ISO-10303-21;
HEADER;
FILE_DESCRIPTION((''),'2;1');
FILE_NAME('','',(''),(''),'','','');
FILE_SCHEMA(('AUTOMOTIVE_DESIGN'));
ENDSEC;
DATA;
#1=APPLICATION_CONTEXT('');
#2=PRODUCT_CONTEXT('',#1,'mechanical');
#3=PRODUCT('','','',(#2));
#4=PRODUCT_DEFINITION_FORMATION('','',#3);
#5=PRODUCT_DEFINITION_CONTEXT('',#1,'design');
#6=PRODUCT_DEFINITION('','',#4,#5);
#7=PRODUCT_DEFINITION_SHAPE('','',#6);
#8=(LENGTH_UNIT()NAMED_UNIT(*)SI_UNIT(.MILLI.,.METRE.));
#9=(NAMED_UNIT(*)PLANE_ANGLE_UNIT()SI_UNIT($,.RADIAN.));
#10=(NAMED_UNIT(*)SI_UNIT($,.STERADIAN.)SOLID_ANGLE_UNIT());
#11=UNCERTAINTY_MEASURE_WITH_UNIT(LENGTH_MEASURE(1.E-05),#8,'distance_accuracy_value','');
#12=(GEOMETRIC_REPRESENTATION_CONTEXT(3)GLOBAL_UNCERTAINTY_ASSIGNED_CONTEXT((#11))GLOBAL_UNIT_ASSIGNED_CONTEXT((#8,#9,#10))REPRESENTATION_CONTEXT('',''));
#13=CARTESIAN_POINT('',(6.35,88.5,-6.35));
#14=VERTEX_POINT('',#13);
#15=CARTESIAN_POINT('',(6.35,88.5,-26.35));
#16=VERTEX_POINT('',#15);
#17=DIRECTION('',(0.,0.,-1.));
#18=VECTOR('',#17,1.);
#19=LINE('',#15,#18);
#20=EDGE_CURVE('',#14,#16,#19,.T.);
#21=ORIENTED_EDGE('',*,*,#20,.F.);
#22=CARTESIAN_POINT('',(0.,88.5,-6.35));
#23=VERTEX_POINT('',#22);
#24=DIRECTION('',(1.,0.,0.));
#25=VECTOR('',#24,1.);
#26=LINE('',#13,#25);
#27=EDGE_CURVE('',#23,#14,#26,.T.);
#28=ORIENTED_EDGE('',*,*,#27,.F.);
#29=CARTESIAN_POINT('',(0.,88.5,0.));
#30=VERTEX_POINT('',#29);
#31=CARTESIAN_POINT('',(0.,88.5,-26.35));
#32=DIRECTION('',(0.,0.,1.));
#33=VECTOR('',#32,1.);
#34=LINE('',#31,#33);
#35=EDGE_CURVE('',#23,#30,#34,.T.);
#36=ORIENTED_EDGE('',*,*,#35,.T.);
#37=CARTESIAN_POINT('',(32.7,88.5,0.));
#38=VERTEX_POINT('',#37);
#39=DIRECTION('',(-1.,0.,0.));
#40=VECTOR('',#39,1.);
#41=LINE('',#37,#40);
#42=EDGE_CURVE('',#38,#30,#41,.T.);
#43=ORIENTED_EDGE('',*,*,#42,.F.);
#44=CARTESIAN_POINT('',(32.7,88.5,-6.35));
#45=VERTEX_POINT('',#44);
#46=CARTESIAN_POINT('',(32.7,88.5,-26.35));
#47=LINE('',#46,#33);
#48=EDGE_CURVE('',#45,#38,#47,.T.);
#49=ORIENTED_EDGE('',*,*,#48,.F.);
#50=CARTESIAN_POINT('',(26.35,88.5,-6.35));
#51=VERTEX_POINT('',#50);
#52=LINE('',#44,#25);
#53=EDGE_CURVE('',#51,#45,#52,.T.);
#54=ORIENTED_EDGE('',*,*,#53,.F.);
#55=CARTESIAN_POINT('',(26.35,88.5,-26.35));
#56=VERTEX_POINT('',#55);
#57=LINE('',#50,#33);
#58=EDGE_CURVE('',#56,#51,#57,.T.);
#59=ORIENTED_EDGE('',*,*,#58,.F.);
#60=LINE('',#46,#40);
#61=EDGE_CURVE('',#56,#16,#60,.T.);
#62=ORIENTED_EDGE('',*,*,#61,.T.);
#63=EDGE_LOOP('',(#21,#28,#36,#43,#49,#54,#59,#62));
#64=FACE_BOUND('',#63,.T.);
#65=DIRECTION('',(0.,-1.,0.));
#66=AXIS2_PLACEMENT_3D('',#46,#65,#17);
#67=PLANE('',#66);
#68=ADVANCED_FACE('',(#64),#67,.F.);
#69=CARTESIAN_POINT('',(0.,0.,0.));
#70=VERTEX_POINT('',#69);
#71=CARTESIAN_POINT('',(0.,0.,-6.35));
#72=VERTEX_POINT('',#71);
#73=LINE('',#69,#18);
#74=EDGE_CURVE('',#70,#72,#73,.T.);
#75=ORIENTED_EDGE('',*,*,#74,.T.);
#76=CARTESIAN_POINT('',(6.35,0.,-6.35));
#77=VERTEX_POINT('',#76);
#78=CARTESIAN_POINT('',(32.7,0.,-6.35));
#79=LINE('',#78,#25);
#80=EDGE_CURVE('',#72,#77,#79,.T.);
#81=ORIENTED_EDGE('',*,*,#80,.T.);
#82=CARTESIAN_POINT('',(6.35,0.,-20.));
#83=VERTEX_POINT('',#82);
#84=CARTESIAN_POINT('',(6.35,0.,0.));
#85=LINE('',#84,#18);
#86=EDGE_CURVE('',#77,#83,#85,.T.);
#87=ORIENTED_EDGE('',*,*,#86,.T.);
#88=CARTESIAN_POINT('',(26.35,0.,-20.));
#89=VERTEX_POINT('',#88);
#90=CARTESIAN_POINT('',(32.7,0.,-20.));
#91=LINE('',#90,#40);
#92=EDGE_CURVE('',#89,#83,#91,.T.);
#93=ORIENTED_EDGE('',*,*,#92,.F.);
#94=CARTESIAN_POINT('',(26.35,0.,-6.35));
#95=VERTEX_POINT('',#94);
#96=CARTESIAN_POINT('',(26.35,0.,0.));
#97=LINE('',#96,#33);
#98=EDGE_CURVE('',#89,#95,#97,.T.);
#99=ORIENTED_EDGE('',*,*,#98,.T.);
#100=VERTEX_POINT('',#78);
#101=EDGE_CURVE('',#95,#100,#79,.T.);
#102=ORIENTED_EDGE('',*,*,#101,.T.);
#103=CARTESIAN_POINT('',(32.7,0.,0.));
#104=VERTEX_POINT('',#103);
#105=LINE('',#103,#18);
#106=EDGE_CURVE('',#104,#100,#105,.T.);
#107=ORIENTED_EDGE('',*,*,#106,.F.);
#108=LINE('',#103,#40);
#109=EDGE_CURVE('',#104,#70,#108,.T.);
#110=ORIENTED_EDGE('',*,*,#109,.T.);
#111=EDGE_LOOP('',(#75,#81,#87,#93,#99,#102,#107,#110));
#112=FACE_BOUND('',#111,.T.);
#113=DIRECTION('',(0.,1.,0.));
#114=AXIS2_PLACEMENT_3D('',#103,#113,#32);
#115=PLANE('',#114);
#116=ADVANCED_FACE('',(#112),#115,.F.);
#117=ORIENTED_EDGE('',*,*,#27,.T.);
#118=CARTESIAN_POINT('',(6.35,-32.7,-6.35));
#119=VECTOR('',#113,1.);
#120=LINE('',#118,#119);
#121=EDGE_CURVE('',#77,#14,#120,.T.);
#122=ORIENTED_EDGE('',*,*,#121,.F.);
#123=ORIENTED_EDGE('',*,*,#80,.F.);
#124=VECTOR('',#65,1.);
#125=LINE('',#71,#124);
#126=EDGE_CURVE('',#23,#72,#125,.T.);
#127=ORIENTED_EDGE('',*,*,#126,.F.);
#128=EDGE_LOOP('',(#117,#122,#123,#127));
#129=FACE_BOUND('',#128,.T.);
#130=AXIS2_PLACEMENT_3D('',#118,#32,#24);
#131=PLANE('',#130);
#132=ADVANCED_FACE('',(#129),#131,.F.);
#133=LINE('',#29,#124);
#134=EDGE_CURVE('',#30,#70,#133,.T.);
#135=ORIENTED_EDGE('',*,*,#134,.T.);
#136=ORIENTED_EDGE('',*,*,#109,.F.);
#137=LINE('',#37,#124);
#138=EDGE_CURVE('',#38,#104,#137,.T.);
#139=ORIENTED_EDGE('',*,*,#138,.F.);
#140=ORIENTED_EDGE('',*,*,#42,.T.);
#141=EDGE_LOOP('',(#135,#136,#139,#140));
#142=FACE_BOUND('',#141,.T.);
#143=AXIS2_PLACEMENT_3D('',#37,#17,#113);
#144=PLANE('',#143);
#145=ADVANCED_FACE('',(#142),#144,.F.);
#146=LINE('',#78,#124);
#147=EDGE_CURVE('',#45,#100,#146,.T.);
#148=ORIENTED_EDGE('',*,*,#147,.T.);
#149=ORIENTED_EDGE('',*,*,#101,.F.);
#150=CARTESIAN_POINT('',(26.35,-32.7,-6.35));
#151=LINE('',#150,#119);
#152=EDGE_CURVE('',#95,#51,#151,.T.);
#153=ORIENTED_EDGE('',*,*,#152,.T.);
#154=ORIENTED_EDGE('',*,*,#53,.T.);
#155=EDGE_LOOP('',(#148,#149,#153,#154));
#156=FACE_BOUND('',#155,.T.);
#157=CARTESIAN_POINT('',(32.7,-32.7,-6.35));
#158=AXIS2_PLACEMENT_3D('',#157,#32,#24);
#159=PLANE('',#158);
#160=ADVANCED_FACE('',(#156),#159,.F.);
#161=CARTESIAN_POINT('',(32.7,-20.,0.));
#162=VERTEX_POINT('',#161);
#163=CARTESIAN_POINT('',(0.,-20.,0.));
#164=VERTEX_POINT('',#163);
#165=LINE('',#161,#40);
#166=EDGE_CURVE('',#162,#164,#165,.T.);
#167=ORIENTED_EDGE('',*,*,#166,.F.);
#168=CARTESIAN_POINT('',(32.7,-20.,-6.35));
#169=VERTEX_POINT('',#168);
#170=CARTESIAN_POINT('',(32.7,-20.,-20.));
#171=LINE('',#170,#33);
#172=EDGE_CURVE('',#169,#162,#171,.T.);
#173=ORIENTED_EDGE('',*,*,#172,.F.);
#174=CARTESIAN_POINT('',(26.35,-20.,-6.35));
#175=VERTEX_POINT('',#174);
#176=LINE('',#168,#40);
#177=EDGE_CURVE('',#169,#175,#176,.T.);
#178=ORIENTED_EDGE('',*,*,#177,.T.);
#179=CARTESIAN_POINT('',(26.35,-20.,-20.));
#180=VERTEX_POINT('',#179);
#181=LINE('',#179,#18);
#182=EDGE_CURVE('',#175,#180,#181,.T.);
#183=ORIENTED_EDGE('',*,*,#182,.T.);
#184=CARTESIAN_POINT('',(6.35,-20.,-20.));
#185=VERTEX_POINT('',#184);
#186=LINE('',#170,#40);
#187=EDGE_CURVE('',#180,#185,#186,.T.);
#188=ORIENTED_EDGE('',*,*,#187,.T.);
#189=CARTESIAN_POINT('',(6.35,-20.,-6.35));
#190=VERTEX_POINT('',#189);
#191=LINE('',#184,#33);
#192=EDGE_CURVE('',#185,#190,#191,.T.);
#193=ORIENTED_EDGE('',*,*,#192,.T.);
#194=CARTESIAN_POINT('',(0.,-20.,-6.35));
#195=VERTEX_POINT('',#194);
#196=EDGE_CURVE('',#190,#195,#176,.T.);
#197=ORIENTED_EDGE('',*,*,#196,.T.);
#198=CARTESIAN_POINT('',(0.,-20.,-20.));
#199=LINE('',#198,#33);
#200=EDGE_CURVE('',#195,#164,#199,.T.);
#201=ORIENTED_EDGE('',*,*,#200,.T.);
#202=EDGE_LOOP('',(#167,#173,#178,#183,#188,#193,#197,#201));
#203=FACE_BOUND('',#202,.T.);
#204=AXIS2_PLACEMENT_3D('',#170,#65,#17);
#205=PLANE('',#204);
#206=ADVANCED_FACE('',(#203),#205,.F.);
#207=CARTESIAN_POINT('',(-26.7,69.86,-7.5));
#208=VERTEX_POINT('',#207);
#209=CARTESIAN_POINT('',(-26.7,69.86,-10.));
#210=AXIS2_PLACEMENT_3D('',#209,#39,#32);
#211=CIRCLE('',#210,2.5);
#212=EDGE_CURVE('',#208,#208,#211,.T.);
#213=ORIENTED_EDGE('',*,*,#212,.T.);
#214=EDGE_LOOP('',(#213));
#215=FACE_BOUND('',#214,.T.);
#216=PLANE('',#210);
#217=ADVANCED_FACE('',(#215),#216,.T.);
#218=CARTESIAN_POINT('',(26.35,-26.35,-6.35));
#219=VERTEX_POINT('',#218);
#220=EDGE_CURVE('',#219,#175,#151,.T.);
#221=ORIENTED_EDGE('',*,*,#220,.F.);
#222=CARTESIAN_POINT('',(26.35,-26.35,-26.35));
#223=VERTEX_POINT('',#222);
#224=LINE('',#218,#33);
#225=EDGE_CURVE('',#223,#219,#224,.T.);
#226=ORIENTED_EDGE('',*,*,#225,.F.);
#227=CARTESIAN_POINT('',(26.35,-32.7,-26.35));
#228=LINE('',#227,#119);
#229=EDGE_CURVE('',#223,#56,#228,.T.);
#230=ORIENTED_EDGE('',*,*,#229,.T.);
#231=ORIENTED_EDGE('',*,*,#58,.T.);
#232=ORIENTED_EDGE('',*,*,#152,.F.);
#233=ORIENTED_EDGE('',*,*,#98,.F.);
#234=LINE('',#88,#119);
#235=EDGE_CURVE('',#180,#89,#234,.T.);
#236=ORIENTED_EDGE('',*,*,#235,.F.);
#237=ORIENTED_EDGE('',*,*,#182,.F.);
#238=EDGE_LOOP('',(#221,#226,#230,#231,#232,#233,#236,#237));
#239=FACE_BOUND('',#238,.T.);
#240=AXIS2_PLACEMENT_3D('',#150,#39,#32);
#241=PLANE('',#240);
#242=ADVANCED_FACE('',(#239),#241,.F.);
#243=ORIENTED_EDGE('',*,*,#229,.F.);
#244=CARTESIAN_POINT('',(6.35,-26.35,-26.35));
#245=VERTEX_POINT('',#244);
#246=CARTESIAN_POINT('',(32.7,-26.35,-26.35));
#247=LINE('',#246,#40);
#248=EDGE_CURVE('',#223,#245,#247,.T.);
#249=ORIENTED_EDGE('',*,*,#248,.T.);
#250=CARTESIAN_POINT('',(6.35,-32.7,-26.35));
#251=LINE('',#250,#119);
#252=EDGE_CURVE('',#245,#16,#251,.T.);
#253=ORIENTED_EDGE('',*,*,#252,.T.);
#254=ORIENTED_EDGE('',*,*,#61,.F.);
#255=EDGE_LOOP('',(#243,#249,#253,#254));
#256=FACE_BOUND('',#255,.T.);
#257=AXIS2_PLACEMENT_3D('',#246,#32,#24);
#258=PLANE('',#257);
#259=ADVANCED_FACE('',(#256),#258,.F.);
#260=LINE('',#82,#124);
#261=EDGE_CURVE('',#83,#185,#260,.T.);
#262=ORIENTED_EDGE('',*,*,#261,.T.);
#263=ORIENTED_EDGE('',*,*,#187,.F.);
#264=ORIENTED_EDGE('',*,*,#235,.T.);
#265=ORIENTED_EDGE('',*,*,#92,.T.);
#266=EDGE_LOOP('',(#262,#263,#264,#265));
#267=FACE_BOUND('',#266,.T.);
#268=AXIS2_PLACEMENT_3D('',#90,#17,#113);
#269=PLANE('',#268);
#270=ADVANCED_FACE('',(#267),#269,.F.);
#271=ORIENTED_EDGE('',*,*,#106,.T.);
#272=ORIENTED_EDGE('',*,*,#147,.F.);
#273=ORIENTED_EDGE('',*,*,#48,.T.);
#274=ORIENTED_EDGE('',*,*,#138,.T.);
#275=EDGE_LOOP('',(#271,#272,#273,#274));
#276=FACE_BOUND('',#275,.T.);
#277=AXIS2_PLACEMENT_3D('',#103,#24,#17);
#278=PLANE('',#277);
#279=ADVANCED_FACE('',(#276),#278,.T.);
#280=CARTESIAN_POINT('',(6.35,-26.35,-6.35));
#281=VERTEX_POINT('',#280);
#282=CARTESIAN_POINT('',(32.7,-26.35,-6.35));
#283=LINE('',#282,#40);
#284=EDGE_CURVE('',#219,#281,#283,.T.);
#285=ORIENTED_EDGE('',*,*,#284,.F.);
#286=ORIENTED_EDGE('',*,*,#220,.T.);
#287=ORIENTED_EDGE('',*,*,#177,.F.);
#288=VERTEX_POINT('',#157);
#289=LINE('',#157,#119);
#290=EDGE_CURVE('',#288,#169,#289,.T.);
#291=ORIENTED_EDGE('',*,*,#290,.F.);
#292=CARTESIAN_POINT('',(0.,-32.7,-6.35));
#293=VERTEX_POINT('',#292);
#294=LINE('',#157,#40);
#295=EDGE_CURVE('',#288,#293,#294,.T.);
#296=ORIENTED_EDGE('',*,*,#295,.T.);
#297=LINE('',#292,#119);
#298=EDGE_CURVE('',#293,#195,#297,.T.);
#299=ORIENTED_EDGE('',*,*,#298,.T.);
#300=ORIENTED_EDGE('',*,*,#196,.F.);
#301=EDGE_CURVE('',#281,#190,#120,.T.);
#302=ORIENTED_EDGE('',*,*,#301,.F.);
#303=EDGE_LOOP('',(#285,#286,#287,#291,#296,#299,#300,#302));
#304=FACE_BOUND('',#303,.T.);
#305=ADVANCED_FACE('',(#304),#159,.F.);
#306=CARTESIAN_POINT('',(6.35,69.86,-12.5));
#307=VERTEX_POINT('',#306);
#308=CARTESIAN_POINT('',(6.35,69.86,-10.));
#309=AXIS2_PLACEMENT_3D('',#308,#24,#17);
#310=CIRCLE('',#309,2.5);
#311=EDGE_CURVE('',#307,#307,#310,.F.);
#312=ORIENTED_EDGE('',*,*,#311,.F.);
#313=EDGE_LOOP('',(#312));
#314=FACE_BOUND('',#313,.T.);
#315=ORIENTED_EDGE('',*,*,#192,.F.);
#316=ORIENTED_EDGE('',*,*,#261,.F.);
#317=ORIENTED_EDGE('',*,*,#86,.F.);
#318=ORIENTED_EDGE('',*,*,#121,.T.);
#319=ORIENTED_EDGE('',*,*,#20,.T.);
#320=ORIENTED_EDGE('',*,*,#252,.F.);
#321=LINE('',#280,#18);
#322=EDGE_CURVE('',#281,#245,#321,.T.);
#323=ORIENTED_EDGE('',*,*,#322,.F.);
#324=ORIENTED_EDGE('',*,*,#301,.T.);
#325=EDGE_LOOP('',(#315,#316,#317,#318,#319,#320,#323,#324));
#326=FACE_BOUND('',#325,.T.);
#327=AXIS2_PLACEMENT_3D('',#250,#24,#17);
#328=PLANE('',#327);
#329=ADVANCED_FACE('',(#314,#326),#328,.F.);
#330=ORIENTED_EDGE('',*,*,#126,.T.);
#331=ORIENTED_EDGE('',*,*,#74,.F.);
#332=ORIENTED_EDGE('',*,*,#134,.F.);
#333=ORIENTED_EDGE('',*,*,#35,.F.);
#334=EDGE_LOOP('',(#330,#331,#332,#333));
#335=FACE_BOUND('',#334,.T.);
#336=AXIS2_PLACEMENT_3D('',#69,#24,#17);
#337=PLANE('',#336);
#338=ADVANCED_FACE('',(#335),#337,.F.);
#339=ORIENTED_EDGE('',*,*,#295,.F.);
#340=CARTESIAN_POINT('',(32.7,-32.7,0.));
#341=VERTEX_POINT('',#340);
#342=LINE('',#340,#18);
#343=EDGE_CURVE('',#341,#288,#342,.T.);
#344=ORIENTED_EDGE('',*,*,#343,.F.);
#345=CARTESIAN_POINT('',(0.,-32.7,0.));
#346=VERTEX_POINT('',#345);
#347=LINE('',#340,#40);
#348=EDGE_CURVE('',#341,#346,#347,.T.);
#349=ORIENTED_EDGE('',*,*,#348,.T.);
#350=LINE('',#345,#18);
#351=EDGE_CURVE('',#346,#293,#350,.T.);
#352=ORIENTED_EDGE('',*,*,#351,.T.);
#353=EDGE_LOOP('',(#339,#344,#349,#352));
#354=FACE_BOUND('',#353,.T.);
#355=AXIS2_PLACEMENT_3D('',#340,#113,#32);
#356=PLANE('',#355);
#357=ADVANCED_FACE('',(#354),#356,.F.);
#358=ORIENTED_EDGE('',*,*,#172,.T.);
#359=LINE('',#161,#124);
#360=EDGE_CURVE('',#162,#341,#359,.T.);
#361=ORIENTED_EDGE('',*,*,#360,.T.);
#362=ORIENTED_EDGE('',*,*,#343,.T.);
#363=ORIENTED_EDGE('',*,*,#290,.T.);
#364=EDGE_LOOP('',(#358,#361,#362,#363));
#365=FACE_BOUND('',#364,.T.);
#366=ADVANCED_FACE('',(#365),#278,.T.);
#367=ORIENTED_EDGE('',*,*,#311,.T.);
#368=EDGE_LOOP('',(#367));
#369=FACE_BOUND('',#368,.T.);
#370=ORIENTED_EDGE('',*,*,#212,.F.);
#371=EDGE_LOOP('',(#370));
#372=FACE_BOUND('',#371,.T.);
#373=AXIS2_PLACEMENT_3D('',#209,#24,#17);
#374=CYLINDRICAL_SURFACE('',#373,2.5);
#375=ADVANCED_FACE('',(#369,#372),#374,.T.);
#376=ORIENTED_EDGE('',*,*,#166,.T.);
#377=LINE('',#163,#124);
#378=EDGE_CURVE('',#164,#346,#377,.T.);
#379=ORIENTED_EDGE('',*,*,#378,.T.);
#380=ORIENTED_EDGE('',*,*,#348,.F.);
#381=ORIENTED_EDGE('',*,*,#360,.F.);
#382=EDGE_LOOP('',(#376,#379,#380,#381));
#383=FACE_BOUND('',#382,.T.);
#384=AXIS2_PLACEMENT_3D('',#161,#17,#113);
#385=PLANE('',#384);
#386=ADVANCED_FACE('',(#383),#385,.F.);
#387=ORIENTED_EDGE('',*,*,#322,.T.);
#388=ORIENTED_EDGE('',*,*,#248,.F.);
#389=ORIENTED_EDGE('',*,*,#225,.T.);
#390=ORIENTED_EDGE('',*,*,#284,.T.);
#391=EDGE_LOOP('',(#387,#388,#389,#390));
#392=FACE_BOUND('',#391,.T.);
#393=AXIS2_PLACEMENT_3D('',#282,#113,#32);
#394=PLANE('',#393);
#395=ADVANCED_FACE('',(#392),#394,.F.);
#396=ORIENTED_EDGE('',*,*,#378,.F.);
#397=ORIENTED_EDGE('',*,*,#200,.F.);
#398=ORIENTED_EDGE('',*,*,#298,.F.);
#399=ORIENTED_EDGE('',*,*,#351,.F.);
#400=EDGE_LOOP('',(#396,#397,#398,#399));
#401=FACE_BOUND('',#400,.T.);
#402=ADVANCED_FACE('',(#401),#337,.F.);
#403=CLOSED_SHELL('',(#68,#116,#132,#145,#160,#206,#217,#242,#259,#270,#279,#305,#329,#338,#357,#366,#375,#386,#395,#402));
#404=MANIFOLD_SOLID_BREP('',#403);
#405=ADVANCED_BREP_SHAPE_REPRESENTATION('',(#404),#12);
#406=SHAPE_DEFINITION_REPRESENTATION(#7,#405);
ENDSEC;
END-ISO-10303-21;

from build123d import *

# Parameters (mm, degrees)
BOSS_EXTRUDE1_DEPTH = 32.7
SKETCH3_W           = 6.35
SKETCH3_H           = 20
CUT_EXTRUDE2_DEPTH  = 129.269452716
SKETCH7_R           = 2.5
BOSS_EXTRUDE4_DEPTH = 33.05


with BuildPart() as part:
    # Sketch2 → Boss-Extrude1 (new body)
    with BuildSketch(Plane(origin=(0, 0, 0), x_dir=(0, 0, -1), z_dir=(1, 0, 0))):
        Polygon((0, 0), (20, 0), (20, -20), (0, -20), (0, -32.7), (6.35, -32.7), (6.35, -26.35), (26.35, -26.35), (26.35, 88.5), (0, 88.5), align=None)
    extrude(amount=BOSS_EXTRUDE1_DEPTH)

    # Sketch3 → Cut-Extrude2 (cut, through all)
    with BuildSketch(Plane(origin=(0, 88.5, 0), x_dir=(1, 0, 0), z_dir=(0, 1, 0))):
        with Locations((3.175, 16.35)):
            Rectangle(SKETCH3_W, SKETCH3_H)
        with Locations((29.525, 16.35)):
            Rectangle(SKETCH3_W, SKETCH3_H)
    extrude(amount=-CUT_EXTRUDE2_DEPTH, mode=Mode.SUBTRACT)

    # Sketch7 → Boss-Extrude4 (add)
    with BuildSketch(Plane.ZY.offset(-6.35)):
        with Locations(Location((-10, 69.86, 0), (0, 0, 180))):
            Circle(SKETCH7_R)
    extrude(amount=BOSS_EXTRUDE4_DEPTH)


solid = part.part
